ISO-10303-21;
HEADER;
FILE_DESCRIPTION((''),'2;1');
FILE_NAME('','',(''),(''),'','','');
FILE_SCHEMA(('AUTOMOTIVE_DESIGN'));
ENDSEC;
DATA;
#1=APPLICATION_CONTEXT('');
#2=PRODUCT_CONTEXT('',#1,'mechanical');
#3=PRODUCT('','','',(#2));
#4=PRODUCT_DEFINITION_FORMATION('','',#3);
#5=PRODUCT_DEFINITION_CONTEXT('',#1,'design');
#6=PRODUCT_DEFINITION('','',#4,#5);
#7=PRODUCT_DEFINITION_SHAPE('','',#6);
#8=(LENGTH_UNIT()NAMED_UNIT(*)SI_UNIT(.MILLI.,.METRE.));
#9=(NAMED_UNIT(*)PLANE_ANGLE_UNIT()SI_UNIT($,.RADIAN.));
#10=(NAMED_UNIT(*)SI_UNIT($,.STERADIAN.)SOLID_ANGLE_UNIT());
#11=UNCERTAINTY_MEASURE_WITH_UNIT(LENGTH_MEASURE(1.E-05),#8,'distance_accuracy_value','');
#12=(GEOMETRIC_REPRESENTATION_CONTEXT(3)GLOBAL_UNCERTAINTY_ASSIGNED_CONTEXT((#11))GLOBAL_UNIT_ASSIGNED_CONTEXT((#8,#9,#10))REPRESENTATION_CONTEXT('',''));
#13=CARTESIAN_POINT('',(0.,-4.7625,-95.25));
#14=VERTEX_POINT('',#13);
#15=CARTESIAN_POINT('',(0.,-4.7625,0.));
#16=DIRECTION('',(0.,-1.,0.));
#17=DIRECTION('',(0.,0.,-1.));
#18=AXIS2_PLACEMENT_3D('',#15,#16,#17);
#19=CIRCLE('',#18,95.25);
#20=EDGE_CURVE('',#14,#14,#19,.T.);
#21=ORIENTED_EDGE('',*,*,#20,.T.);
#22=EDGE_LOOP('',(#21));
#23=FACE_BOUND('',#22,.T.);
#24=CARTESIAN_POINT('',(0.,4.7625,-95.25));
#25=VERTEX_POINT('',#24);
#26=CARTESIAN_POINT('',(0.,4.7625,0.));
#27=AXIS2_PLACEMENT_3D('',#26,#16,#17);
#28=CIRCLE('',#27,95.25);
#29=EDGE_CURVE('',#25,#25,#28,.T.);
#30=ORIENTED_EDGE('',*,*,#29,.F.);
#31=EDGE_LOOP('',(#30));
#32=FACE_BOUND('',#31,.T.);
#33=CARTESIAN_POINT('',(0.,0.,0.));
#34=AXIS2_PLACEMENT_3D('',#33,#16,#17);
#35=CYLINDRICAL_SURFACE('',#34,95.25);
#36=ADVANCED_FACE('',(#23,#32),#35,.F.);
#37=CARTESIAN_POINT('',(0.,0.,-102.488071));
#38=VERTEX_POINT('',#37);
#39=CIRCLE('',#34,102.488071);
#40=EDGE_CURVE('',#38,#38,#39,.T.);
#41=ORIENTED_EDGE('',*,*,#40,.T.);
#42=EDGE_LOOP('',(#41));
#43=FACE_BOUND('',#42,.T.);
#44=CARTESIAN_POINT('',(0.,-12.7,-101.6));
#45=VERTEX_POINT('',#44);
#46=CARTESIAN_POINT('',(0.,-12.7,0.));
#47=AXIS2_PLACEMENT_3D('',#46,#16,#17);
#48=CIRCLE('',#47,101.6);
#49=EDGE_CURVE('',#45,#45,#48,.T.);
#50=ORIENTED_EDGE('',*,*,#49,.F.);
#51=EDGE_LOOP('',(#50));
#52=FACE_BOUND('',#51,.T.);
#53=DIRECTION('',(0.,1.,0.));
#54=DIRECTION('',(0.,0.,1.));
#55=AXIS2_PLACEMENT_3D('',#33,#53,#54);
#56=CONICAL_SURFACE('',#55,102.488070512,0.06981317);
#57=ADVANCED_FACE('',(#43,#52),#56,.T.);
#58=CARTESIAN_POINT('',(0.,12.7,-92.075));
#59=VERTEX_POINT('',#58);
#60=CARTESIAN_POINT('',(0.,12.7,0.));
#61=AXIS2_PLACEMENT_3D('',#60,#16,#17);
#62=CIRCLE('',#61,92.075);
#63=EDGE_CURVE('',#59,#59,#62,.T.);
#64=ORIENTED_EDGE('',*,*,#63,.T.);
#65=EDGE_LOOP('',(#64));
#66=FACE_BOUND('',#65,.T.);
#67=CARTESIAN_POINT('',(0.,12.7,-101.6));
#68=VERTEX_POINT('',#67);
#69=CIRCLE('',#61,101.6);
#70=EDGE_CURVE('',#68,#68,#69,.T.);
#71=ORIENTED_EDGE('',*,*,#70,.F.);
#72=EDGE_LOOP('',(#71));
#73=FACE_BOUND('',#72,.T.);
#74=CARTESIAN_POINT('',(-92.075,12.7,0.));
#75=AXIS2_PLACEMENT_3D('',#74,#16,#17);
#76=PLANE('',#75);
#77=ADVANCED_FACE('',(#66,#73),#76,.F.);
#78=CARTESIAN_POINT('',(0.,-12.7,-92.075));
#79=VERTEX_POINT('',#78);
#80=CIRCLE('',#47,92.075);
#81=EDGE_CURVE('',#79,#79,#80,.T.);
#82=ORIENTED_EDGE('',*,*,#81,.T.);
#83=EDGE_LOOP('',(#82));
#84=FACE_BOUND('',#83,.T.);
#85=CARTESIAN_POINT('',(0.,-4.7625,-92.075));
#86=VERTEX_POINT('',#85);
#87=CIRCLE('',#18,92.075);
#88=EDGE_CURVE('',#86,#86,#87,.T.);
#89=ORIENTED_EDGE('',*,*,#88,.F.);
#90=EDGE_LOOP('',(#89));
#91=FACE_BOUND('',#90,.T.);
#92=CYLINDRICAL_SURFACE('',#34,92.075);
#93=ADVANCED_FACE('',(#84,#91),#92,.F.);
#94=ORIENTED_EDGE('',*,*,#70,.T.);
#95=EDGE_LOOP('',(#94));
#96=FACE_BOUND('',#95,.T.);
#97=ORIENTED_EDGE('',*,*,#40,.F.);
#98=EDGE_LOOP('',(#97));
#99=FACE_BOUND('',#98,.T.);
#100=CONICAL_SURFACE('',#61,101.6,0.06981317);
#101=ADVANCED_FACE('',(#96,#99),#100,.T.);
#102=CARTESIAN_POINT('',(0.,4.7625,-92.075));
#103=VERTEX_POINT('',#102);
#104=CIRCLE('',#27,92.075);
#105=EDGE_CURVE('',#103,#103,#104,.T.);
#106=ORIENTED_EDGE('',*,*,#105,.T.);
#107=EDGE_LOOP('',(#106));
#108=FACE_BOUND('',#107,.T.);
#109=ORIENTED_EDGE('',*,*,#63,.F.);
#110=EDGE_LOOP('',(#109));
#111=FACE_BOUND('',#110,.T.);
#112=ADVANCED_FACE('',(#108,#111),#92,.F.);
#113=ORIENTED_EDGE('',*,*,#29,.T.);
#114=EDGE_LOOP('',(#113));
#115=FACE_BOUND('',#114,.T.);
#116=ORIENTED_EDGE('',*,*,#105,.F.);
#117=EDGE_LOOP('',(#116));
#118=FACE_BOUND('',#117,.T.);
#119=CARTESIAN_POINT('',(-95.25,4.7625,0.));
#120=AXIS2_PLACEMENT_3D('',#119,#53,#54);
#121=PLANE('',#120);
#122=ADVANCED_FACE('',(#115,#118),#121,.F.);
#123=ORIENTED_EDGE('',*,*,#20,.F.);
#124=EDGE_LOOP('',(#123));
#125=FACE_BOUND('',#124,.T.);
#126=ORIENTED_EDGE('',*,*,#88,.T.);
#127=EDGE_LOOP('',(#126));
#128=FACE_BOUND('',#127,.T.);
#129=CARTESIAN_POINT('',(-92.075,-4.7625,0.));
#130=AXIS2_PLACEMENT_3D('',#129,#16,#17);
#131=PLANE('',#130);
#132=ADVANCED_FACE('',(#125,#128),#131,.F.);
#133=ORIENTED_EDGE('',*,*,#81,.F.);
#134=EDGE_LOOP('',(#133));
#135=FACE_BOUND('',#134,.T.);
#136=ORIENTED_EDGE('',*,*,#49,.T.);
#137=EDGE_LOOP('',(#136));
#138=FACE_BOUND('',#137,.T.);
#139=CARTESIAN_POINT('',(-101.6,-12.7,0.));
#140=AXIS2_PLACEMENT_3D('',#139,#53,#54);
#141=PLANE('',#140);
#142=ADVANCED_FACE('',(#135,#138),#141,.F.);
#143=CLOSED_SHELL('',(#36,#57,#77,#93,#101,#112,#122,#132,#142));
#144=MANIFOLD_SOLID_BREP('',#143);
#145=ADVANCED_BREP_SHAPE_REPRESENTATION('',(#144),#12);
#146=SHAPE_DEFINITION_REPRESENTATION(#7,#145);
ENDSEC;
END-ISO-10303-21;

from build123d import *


with BuildPart() as part:
    # Sketch3 → Revolve1 (revolve)
    with BuildSketch(Plane.XY, mode=Mode.PRIVATE) as revolve1_sk:
        Polygon((-92.075, -4.7625), (-95.25, -4.7625), (-95.25, 4.7625), (-92.075, 4.7625), (-92.075, 12.7), (-101.6, 12.7), (-102.488070512, 0), (-101.6, -12.7), (-92.075, -12.7), align=None)
    revolve(revolve1_sk.sketch.rotate(Axis((0, 0, 0), (0, 1, 0)), 270), axis=Axis((0, 0, 0), (0, 1, 0)))


solid = part.part
